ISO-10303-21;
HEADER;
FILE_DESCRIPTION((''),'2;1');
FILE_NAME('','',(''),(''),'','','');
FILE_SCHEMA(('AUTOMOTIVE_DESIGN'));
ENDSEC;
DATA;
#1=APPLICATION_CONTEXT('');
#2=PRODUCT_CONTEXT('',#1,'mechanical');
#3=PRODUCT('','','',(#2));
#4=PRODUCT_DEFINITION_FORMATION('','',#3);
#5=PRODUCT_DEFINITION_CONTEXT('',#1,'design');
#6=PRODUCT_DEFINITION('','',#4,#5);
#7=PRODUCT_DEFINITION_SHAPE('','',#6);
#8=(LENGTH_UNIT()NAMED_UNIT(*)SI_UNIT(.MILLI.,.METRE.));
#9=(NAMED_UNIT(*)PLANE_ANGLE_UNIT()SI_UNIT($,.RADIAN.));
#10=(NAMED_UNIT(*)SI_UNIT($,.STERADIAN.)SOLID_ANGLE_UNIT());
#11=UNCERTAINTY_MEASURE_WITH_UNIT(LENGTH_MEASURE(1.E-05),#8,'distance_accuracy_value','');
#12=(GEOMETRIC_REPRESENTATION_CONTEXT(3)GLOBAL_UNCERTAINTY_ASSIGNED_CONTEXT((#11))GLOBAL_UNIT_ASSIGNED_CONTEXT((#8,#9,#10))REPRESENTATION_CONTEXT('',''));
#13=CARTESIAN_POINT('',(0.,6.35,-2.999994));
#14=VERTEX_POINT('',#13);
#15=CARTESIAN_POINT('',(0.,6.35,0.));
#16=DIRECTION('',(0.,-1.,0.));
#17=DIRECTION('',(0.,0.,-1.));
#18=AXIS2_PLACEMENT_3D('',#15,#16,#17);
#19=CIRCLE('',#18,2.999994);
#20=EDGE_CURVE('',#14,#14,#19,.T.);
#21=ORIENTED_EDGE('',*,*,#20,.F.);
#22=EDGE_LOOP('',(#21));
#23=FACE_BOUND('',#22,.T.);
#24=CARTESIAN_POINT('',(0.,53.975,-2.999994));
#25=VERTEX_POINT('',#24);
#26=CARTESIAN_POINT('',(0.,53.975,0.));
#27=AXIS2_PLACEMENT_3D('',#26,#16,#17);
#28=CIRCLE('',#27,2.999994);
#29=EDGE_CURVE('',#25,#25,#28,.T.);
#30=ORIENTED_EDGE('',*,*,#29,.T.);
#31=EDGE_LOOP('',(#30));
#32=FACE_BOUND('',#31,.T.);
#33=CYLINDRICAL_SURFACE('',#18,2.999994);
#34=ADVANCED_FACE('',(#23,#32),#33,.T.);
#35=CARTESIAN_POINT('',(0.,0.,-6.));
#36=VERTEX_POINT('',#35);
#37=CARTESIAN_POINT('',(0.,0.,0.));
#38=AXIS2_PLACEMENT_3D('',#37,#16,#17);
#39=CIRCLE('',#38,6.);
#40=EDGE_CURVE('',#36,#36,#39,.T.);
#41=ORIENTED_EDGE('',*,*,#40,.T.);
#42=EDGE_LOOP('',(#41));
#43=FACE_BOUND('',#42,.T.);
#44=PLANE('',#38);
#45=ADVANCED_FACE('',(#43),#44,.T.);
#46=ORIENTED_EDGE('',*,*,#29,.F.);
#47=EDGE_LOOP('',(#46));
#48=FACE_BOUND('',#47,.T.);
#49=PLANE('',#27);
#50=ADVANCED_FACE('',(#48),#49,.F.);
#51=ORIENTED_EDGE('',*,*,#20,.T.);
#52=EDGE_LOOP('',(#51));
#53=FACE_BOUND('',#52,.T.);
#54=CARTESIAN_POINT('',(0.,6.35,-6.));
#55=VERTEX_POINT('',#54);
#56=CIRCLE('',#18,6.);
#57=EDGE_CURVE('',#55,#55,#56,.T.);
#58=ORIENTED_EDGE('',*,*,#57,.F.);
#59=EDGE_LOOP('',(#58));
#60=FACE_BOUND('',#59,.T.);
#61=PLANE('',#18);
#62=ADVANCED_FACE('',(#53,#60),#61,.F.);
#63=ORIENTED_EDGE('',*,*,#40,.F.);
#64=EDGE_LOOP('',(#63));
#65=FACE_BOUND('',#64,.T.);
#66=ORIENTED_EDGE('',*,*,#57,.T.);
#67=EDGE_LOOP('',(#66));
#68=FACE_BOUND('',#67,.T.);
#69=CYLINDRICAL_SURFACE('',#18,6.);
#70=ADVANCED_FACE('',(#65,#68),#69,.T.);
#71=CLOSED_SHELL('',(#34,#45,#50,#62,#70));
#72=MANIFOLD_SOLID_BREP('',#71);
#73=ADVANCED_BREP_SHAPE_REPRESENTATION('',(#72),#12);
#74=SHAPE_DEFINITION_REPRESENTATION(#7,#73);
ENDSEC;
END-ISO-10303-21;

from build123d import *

# Parameters (mm, degrees)
SKETCH1_W   = 2.999994
SKETCH1_H   = 47.625
SKETCH1_W_2 = 6
SKETCH1_H_2 = 6.35


with BuildPart() as part:
    # Sketch1 → Revolve1 (revolve)
    with BuildSketch(Plane.XY):
        with Locations((-1.499997, 30.1625)):
            Rectangle(SKETCH1_W, SKETCH1_H)
        with Locations((-3, 3.175)):
            Rectangle(SKETCH1_W_2, SKETCH1_H_2)
    revolve(axis=Axis((0, 6.35, 0), (0, 1, 0)))


solid = part.part
